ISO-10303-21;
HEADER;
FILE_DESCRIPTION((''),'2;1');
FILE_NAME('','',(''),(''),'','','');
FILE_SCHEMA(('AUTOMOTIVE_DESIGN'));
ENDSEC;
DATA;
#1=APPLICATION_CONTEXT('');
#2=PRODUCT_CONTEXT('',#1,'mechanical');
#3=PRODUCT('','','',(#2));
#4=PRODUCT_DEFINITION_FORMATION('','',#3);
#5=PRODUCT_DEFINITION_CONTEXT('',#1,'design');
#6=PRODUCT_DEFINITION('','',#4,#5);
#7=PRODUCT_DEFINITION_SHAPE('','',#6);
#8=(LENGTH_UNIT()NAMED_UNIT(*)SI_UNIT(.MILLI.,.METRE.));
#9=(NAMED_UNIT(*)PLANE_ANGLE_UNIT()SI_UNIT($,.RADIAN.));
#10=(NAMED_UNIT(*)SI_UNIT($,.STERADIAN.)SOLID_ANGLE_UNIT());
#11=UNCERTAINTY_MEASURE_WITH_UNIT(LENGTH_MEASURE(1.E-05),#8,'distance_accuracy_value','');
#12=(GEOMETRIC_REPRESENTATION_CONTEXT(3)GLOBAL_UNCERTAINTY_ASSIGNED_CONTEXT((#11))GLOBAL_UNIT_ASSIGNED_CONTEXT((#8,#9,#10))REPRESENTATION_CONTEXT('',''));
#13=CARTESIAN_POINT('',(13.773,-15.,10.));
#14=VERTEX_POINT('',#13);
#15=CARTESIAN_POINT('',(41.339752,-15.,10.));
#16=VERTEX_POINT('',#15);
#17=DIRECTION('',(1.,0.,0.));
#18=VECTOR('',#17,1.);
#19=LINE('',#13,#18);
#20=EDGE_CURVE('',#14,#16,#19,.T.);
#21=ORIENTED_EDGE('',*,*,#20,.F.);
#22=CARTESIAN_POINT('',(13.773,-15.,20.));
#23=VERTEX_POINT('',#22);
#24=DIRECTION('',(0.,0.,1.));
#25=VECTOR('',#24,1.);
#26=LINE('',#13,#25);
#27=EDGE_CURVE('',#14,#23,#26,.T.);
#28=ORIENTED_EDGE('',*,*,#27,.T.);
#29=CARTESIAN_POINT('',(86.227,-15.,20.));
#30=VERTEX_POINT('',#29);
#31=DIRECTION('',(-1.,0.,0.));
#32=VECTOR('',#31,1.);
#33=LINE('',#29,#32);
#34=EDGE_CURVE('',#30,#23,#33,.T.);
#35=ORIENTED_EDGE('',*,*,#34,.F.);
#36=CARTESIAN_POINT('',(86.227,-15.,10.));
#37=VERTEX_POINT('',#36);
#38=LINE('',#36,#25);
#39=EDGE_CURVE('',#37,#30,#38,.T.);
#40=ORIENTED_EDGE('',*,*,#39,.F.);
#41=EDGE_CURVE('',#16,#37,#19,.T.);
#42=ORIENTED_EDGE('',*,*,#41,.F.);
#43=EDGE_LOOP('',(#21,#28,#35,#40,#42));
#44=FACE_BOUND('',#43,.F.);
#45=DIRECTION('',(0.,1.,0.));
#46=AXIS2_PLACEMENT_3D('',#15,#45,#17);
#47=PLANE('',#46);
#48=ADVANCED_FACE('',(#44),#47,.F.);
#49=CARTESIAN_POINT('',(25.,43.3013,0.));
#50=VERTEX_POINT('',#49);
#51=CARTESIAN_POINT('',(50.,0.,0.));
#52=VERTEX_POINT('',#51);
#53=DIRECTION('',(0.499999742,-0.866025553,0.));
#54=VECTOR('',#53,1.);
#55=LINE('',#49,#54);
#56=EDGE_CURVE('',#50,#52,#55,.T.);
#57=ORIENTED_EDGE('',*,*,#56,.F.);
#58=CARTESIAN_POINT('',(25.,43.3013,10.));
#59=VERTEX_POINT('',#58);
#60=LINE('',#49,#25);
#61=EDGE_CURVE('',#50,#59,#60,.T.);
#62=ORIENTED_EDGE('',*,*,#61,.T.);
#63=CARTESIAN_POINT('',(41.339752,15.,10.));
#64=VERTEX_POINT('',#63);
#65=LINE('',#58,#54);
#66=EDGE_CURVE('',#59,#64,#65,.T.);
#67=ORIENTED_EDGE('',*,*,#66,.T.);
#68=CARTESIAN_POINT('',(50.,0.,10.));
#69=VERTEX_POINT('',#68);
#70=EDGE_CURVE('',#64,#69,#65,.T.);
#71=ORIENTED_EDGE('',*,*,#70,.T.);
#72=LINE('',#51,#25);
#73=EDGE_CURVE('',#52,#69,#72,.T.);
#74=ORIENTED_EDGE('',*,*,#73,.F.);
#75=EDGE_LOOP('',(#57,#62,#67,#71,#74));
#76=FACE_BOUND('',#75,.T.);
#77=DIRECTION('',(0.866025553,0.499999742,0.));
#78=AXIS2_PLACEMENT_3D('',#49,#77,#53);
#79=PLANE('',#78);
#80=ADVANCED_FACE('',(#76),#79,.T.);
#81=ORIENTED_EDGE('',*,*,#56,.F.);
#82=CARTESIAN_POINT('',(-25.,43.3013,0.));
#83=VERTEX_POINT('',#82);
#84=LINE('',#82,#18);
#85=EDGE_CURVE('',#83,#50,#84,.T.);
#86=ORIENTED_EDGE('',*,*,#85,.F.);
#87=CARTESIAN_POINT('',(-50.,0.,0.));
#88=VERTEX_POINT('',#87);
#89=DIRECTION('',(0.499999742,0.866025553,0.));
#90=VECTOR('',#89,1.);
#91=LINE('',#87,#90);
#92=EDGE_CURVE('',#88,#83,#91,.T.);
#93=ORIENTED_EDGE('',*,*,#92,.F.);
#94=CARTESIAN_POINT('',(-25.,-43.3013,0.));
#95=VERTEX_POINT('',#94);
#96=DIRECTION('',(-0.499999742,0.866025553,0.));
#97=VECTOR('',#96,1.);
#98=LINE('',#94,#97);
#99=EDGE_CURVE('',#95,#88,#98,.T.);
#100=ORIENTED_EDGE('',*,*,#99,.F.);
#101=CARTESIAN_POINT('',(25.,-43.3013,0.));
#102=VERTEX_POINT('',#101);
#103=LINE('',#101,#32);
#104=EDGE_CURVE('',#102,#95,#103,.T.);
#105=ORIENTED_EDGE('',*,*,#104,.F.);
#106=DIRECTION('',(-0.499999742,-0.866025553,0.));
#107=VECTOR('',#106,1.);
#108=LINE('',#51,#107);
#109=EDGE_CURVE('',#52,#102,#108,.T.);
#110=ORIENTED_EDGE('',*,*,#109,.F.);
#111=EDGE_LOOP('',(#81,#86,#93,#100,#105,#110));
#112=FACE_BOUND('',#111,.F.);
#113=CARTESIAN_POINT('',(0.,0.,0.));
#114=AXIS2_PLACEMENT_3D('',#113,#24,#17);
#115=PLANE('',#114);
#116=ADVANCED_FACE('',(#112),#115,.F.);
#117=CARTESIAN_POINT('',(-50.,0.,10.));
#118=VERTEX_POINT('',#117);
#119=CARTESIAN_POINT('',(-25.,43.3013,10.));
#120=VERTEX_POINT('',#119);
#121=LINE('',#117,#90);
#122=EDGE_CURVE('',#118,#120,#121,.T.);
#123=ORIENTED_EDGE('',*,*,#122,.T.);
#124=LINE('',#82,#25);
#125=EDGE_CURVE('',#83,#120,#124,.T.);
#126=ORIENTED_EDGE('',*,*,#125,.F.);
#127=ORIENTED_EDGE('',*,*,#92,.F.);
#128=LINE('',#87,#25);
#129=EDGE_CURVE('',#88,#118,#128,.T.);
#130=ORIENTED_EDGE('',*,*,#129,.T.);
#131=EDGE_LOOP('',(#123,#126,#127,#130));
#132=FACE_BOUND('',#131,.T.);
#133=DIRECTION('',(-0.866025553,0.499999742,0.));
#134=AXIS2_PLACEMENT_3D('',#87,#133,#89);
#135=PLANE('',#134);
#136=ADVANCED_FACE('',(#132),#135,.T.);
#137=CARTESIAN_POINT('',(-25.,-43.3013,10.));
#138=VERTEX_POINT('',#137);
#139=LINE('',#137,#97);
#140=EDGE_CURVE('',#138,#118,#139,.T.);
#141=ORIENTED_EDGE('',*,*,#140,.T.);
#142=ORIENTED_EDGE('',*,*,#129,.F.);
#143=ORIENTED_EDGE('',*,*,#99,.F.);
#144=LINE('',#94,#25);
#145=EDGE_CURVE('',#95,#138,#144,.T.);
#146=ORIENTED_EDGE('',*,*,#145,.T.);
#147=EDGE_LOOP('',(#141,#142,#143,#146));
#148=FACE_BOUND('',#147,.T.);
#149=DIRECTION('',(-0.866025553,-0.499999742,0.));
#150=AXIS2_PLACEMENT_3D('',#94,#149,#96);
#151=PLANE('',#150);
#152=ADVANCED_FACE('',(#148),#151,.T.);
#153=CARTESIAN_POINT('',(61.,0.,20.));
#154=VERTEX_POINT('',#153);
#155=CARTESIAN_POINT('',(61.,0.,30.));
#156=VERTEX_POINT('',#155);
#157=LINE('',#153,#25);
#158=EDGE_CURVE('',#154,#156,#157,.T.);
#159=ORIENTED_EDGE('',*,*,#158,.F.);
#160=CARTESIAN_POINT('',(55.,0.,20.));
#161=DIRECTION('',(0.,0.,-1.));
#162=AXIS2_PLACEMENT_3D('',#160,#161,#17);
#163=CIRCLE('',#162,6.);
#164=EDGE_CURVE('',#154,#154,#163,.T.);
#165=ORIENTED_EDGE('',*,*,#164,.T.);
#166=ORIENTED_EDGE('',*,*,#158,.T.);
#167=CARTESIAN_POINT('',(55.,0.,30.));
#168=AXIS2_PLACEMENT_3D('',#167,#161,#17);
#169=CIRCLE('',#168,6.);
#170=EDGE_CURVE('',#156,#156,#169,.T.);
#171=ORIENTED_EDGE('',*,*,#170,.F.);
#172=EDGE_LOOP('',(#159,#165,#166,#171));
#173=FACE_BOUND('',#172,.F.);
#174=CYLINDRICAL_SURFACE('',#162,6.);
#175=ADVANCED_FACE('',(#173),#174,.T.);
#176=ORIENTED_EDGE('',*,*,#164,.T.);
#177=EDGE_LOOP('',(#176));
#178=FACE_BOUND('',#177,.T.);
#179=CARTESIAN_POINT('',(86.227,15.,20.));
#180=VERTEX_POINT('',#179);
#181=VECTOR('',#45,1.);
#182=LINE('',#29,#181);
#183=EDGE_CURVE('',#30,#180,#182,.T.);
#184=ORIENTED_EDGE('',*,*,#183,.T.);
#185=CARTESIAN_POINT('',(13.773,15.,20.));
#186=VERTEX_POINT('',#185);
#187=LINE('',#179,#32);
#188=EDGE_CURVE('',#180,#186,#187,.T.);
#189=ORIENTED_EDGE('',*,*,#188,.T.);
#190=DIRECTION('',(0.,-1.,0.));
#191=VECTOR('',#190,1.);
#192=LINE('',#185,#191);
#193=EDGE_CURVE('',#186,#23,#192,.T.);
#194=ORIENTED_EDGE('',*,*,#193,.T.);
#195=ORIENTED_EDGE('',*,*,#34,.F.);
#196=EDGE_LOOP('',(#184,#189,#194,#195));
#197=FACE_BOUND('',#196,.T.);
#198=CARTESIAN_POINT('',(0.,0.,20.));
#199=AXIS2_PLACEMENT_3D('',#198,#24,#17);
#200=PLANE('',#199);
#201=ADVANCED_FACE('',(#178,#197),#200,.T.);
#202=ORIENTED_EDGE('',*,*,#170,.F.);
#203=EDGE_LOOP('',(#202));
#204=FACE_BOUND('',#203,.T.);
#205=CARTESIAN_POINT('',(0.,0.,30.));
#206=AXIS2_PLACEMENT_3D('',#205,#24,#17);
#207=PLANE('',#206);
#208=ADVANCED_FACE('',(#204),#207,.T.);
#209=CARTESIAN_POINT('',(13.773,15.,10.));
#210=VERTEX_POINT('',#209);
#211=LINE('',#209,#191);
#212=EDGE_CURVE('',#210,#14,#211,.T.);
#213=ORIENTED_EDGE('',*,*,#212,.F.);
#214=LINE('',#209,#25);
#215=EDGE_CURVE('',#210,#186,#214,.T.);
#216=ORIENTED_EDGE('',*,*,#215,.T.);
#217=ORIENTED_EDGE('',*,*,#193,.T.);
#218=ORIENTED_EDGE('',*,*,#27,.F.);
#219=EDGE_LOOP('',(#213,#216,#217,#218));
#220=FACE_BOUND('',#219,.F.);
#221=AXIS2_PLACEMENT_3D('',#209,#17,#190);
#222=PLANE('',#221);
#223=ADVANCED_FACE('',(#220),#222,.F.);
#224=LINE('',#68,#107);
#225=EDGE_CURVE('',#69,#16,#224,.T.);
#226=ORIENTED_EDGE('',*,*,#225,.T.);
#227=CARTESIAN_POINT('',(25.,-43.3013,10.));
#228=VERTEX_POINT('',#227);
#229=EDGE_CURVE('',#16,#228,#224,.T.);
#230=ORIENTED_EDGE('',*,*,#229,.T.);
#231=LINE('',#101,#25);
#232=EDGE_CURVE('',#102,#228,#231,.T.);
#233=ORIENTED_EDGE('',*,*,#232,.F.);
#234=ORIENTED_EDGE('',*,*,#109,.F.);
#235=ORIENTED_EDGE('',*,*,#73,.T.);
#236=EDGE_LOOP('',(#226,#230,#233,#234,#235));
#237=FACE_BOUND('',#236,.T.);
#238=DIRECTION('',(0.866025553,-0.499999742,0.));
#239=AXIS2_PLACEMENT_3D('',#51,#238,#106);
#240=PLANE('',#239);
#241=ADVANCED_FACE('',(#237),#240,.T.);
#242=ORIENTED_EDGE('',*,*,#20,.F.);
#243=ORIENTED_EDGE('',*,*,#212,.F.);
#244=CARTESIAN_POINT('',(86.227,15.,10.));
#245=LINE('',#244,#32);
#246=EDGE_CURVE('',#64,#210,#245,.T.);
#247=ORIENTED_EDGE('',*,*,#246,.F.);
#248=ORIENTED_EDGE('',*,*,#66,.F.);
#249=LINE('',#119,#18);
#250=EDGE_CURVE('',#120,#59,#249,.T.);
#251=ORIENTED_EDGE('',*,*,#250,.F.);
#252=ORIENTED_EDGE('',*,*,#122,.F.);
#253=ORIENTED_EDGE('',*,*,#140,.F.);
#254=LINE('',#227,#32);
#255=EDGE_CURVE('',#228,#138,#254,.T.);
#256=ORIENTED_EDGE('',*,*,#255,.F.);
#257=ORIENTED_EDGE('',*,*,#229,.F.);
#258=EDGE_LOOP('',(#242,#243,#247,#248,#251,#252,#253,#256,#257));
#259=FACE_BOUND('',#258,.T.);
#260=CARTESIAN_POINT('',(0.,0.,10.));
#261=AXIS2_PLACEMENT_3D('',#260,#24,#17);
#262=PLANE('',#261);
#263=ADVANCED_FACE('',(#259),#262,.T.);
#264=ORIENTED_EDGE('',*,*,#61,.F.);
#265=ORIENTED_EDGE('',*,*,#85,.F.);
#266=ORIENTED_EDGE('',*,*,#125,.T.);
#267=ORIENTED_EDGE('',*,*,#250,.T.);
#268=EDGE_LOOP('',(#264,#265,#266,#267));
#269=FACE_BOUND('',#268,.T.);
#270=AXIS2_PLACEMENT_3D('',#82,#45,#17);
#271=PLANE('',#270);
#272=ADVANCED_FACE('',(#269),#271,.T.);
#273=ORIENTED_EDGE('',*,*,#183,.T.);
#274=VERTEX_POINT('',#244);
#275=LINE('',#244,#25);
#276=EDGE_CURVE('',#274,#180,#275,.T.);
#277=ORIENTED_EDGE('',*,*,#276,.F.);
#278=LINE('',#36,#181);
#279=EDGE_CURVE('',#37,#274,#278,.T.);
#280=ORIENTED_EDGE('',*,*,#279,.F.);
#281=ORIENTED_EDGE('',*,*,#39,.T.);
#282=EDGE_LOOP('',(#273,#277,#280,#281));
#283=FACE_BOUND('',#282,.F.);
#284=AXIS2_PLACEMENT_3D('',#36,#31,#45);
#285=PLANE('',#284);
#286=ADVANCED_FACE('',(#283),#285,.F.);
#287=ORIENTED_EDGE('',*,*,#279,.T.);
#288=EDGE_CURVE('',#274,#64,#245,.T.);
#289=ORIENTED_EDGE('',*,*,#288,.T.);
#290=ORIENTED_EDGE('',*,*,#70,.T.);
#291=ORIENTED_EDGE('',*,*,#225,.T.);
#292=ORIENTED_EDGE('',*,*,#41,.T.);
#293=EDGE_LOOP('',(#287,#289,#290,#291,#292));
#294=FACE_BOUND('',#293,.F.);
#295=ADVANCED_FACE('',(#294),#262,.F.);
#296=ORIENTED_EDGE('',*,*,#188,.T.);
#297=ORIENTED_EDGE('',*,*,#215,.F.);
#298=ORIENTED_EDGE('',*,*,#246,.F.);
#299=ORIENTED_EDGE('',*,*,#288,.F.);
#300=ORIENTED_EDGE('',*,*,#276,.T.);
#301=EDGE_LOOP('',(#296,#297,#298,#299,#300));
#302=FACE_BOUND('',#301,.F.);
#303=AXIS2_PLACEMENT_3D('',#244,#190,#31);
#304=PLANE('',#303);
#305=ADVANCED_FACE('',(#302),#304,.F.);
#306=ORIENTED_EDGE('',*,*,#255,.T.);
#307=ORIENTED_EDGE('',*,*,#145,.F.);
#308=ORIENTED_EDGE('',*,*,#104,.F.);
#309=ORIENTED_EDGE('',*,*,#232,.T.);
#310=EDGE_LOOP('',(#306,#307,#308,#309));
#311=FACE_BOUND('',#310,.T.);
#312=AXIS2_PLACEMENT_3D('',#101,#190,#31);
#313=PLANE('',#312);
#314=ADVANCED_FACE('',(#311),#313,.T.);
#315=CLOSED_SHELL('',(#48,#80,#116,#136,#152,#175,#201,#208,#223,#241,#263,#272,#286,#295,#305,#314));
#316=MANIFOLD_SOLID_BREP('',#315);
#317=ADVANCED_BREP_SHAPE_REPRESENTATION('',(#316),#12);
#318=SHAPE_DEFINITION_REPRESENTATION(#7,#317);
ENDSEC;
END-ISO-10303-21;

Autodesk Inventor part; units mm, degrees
ref_plane "YZ Plane" through (0, 0, 0) normal (1, 0, 0) x (0, 1, 0)
ref_plane "XZ Plane" through (0, 0, 0) normal (0, 1, 0) x (-1, 0, 0)
ref_plane "XY Plane" through (0, 0, 0) normal (0, 0, 1) x (1, 0, 0)
sketch "Boceto1" plane through (0, 0, 0) normal (0, 0, 1) x (1, 0, 0)
  line L0 (50, 0) -> (25, -43.3013)
  line L1 (25, -43.3013) -> (-25, -43.3013)
  line L2 (-25, -43.3013) -> (-50, 0)
  line L3 (-50, 0) -> (-25, 43.3013)
  line L4 (-25, 43.3013) -> (25, 43.3013)
  line L5 (25, 43.3013) -> (50, 0)
  point P0 (0, 0)
  point P1 (0, 0)
  dimension "d3" = 50
extrude "Extrusión1" add sketch "Boceto1" along normal blind 10
sketch "Boceto2" plane through (0, 0, 10) normal (0, 0, 1) x (1, 0, 0)
  line L0 (13.773, -15) -> (86.227, -15)
  line L1 (86.227, -15) -> (86.227, 15)
  line L2 (86.227, 15) -> (13.773, 15)
  line L3 (13.773, 15) -> (13.773, -15)
  line L4 (25, -43.3013) -> (50, 0) projected
  line L5 (13.773, -15) -> (86.227, 15) construction
  line L6 (86.227, -15) -> (13.773, 15) construction
  dimension "d7" = 30
  dimension "d8" = 72.454
extrude "Extrusión2" add sketch "Boceto2" along normal blind 10
sketch "Boceto3" plane through (0, 0, 20) normal (0, 0, 1) x (1, 0, 0)
  line L0 (13.773, 15) -> (41.3397, 15) projected
  line L1 (41.3397, 15) -> (25, 43.3013) projected
  line L2 (25, 43.3013) -> (-25, 43.3013) projected
  line L3 (-25, 43.3013) -> (-50, 0) projected
  line L4 (-50, 0) -> (-25, -43.3013) projected
  line L5 (-25, -43.3013) -> (25, -43.3013) projected
  line L6 (25, -43.3013) -> (41.3397, -15) projected
  line L7 (41.3397, -15) -> (13.773, -15) projected
  line L8 (13.773, -15) -> (13.773, 15) projected
  line L9 (0, 0) -> (55, 0)
  circle A0 centre (55, 0) radius 6
  line L10 (13.773, 15) -> (41.3397, 15) projected
  line L11 (41.3397, 15) -> (25, 43.3013) projected
  line L12 (25, 43.3013) -> (-25, 43.3013) projected
  line L13 (-25, 43.3013) -> (-50, 0) projected
  line L14 (-50, 0) -> (-25, -43.3013) projected
  line L15 (-25, -43.3013) -> (25, -43.3013) projected
  line L16 (25, -43.3013) -> (41.3397, -15) projected
  line L17 (41.3397, -15) -> (13.773, -15) projected
  line L18 (13.773, -15) -> (13.773, 15) projected
  line L19 (13.773, 15) -> (41.3397, 15) projected
  line L20 (41.3397, 15) -> (25, 43.3013) projected
  line L21 (25, 43.3013) -> (-25, 43.3013) projected
  line L22 (-25, 43.3013) -> (-50, 0) projected
  line L23 (-50, 0) -> (-25, -43.3013) projected
  line L24 (-25, -43.3013) -> (25, -43.3013) projected
  line L25 (25, -43.3013) -> (41.3397, -15) projected
  line L26 (41.3397, -15) -> (13.773, -15) projected
  line L27 (13.773, -15) -> (13.773, 15) projected
  line L28 (86.227, 15) -> (13.773, 15) projected
  dimension "d9" = 55
  dimension "d10" = 12
extrude "Extrusión3" add sketch "Boceto3" along normal blind 10 contours A0
properties part number "base"
